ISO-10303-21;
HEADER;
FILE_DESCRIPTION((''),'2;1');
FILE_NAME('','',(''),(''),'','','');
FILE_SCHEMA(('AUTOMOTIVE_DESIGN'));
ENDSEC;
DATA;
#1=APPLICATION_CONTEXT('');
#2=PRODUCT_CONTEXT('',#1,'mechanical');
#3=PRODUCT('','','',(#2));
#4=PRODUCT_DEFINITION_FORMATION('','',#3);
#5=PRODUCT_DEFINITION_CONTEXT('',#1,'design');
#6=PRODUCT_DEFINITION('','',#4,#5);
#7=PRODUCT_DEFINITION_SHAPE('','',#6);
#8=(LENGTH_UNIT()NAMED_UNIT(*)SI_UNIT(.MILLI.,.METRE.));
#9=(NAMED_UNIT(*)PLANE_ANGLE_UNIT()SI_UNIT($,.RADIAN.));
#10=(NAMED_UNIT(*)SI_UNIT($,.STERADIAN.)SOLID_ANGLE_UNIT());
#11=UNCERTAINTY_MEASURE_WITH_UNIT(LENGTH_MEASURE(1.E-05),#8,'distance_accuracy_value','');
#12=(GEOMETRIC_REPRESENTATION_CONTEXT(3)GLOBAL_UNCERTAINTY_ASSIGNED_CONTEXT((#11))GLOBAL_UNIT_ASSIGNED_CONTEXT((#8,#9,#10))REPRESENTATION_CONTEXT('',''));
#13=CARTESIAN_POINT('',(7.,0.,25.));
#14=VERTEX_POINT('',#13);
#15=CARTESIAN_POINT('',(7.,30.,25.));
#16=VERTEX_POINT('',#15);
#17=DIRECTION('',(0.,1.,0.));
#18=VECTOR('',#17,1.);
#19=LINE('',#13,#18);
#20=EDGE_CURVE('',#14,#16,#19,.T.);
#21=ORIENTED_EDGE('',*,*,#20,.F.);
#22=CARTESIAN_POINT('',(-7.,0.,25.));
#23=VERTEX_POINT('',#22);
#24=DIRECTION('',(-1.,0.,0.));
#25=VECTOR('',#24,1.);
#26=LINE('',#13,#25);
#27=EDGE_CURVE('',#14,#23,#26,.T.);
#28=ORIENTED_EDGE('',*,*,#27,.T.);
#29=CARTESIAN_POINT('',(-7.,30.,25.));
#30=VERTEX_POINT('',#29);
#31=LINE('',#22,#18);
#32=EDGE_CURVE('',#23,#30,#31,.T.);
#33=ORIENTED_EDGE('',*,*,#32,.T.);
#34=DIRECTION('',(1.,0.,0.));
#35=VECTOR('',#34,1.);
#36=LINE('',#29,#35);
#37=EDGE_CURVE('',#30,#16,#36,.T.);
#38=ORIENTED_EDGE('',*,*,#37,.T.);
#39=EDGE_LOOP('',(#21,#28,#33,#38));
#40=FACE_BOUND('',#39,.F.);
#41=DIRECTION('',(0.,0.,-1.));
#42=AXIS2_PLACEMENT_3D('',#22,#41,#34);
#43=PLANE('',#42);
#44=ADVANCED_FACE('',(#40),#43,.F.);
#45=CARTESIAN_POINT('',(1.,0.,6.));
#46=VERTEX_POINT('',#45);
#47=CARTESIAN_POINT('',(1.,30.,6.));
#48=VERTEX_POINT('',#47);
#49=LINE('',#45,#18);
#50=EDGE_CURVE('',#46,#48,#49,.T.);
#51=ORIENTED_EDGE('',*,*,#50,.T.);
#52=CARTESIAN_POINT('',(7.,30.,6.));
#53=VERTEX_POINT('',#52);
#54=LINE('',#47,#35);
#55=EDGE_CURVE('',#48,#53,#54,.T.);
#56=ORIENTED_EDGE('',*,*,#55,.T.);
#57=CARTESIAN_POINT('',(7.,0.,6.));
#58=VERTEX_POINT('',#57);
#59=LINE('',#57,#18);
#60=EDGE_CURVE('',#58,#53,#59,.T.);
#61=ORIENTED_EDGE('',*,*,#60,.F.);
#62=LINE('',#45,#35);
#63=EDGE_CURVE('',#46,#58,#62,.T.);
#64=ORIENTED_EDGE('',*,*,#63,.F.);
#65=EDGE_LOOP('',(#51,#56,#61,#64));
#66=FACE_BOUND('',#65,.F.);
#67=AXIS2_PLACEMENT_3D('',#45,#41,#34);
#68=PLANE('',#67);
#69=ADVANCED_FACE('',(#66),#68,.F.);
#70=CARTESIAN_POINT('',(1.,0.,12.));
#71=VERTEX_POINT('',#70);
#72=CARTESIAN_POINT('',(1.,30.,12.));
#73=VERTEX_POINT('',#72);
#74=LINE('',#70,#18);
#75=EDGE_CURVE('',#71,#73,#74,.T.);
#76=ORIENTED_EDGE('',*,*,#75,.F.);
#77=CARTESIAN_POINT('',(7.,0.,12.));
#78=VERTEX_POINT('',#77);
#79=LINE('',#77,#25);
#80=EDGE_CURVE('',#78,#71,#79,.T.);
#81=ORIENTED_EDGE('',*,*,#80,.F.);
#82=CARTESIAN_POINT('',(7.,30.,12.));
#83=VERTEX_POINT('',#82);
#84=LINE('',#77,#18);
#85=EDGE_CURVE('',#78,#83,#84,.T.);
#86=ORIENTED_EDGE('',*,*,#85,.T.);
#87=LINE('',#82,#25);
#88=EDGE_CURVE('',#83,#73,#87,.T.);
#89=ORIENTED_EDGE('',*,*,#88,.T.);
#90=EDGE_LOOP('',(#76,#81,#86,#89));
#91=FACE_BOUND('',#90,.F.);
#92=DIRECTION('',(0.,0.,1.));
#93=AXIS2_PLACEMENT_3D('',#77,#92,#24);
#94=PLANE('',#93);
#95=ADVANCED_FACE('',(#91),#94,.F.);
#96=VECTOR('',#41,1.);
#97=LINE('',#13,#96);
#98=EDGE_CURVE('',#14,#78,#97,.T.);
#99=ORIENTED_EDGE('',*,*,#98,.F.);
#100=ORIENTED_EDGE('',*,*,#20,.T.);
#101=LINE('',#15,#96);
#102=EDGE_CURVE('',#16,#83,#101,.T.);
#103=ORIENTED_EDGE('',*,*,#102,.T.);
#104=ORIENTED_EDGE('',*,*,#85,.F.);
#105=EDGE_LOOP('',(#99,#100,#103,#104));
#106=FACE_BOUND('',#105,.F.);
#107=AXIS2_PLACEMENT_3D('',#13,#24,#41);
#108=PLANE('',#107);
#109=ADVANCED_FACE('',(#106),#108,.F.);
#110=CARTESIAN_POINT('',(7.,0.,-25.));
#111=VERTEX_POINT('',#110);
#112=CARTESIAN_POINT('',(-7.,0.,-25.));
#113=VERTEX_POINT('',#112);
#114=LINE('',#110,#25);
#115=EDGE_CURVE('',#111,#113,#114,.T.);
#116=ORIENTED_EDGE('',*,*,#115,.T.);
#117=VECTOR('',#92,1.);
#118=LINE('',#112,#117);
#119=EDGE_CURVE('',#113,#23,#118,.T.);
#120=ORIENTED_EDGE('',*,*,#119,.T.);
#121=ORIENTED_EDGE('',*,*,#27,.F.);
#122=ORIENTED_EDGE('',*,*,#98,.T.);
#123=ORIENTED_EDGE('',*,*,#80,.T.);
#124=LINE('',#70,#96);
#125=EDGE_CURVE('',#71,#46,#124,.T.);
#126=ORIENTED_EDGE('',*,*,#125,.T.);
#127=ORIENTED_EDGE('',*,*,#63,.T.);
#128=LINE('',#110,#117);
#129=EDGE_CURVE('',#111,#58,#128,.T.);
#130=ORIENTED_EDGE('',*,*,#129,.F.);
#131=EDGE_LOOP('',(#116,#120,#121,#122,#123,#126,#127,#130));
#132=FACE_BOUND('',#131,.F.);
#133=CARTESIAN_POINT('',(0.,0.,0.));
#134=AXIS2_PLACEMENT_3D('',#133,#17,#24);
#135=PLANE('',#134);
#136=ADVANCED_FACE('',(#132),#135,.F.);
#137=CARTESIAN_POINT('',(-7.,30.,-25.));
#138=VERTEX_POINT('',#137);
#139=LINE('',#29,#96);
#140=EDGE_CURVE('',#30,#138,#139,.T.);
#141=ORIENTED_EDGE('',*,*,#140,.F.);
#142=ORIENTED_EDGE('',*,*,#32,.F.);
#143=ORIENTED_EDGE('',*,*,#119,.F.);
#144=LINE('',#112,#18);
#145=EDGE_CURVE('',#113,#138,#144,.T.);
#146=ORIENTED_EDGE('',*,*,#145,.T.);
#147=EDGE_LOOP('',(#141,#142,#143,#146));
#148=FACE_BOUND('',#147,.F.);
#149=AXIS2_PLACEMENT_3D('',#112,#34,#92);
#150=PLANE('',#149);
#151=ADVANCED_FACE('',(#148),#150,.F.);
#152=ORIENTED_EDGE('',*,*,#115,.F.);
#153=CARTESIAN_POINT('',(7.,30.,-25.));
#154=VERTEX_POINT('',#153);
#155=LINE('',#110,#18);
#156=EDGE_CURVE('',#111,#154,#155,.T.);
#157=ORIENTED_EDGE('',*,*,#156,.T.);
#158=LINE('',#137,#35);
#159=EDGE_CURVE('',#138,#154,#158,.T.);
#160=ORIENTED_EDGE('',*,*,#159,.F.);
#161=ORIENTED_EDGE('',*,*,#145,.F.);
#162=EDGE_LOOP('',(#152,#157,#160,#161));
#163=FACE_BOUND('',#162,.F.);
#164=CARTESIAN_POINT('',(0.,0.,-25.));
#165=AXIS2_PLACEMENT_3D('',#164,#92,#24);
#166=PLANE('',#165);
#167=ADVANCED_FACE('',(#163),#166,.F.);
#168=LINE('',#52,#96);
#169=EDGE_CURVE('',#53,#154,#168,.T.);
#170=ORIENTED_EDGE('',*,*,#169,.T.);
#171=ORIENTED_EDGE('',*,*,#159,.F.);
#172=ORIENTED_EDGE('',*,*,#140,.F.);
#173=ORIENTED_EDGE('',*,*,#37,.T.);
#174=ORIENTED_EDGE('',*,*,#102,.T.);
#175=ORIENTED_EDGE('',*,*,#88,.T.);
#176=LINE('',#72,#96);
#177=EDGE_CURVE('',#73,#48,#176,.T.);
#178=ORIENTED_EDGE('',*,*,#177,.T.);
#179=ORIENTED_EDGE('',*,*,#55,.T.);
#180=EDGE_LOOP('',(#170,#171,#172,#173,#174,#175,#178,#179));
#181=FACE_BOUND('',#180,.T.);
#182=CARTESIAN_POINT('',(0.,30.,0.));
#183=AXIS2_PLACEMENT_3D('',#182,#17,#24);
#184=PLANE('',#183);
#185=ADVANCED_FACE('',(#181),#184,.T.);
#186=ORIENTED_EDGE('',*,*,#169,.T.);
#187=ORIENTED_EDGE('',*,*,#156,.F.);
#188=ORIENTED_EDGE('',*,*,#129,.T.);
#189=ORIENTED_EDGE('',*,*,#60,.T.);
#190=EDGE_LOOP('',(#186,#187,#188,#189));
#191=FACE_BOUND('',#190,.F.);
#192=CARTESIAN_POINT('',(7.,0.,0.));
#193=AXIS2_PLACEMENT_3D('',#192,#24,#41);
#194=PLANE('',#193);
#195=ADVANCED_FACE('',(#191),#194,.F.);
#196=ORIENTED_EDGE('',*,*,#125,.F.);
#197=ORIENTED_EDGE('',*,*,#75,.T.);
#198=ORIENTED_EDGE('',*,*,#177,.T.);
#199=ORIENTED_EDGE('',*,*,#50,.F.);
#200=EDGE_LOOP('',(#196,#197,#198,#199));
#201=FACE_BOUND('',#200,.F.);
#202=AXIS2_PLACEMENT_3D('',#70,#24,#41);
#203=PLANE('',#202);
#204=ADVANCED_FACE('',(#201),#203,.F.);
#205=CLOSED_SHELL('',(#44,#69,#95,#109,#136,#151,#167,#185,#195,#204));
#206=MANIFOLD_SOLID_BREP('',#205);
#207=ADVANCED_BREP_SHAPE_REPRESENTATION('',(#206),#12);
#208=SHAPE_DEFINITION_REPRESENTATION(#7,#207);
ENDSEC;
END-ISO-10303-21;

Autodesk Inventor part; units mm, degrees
ref_plane "YZ Plane" through (0, 0, 0) normal (1, 0, 0) x (0, 1, 0)
ref_plane "XZ Plane" through (0, 0, 0) normal (0, 1, 0) x (-1, 0, 0)
ref_plane "XY Plane" through (0, 0, 0) normal (0, 0, 1) x (1, 0, 0)
sketch "Sketch1" plane through (0, 0, 0) normal (0, 1, 0) x (-1, 0, 0)
  line L0 (9.8, 0) -> (-9.8, 0) projected
  line L1 (0, -35) -> (0, 35) projected
  line L2 (7, 25) -> (-7, 25)
  line L3 (-7, -25) -> (7, -25)
  line L4 (7, -25) -> (7, 25)
  line L5 (-7, 12) -> (-1, 12)
  line L6 (-1, 12) -> (-1, 6)
  line L7 (-1, 6) -> (-7, 6)
  line L8 (-7, 25) -> (-7, 12)
  line L9 (-7, 6) -> (-7, -25)
  point P0 (0, 0)
  point P1 (7, 0)
  point P2 (0, 25)
  dimension "d0" = 14
  dimension "d1" = 50
  dimension "d2" = 6
  dimension "d3" = 6
  dimension "d4" = 13
extrude "Extrusion1" add sketch "Sketch1" along normal blind 30
properties part number "FP Rear Hood"
